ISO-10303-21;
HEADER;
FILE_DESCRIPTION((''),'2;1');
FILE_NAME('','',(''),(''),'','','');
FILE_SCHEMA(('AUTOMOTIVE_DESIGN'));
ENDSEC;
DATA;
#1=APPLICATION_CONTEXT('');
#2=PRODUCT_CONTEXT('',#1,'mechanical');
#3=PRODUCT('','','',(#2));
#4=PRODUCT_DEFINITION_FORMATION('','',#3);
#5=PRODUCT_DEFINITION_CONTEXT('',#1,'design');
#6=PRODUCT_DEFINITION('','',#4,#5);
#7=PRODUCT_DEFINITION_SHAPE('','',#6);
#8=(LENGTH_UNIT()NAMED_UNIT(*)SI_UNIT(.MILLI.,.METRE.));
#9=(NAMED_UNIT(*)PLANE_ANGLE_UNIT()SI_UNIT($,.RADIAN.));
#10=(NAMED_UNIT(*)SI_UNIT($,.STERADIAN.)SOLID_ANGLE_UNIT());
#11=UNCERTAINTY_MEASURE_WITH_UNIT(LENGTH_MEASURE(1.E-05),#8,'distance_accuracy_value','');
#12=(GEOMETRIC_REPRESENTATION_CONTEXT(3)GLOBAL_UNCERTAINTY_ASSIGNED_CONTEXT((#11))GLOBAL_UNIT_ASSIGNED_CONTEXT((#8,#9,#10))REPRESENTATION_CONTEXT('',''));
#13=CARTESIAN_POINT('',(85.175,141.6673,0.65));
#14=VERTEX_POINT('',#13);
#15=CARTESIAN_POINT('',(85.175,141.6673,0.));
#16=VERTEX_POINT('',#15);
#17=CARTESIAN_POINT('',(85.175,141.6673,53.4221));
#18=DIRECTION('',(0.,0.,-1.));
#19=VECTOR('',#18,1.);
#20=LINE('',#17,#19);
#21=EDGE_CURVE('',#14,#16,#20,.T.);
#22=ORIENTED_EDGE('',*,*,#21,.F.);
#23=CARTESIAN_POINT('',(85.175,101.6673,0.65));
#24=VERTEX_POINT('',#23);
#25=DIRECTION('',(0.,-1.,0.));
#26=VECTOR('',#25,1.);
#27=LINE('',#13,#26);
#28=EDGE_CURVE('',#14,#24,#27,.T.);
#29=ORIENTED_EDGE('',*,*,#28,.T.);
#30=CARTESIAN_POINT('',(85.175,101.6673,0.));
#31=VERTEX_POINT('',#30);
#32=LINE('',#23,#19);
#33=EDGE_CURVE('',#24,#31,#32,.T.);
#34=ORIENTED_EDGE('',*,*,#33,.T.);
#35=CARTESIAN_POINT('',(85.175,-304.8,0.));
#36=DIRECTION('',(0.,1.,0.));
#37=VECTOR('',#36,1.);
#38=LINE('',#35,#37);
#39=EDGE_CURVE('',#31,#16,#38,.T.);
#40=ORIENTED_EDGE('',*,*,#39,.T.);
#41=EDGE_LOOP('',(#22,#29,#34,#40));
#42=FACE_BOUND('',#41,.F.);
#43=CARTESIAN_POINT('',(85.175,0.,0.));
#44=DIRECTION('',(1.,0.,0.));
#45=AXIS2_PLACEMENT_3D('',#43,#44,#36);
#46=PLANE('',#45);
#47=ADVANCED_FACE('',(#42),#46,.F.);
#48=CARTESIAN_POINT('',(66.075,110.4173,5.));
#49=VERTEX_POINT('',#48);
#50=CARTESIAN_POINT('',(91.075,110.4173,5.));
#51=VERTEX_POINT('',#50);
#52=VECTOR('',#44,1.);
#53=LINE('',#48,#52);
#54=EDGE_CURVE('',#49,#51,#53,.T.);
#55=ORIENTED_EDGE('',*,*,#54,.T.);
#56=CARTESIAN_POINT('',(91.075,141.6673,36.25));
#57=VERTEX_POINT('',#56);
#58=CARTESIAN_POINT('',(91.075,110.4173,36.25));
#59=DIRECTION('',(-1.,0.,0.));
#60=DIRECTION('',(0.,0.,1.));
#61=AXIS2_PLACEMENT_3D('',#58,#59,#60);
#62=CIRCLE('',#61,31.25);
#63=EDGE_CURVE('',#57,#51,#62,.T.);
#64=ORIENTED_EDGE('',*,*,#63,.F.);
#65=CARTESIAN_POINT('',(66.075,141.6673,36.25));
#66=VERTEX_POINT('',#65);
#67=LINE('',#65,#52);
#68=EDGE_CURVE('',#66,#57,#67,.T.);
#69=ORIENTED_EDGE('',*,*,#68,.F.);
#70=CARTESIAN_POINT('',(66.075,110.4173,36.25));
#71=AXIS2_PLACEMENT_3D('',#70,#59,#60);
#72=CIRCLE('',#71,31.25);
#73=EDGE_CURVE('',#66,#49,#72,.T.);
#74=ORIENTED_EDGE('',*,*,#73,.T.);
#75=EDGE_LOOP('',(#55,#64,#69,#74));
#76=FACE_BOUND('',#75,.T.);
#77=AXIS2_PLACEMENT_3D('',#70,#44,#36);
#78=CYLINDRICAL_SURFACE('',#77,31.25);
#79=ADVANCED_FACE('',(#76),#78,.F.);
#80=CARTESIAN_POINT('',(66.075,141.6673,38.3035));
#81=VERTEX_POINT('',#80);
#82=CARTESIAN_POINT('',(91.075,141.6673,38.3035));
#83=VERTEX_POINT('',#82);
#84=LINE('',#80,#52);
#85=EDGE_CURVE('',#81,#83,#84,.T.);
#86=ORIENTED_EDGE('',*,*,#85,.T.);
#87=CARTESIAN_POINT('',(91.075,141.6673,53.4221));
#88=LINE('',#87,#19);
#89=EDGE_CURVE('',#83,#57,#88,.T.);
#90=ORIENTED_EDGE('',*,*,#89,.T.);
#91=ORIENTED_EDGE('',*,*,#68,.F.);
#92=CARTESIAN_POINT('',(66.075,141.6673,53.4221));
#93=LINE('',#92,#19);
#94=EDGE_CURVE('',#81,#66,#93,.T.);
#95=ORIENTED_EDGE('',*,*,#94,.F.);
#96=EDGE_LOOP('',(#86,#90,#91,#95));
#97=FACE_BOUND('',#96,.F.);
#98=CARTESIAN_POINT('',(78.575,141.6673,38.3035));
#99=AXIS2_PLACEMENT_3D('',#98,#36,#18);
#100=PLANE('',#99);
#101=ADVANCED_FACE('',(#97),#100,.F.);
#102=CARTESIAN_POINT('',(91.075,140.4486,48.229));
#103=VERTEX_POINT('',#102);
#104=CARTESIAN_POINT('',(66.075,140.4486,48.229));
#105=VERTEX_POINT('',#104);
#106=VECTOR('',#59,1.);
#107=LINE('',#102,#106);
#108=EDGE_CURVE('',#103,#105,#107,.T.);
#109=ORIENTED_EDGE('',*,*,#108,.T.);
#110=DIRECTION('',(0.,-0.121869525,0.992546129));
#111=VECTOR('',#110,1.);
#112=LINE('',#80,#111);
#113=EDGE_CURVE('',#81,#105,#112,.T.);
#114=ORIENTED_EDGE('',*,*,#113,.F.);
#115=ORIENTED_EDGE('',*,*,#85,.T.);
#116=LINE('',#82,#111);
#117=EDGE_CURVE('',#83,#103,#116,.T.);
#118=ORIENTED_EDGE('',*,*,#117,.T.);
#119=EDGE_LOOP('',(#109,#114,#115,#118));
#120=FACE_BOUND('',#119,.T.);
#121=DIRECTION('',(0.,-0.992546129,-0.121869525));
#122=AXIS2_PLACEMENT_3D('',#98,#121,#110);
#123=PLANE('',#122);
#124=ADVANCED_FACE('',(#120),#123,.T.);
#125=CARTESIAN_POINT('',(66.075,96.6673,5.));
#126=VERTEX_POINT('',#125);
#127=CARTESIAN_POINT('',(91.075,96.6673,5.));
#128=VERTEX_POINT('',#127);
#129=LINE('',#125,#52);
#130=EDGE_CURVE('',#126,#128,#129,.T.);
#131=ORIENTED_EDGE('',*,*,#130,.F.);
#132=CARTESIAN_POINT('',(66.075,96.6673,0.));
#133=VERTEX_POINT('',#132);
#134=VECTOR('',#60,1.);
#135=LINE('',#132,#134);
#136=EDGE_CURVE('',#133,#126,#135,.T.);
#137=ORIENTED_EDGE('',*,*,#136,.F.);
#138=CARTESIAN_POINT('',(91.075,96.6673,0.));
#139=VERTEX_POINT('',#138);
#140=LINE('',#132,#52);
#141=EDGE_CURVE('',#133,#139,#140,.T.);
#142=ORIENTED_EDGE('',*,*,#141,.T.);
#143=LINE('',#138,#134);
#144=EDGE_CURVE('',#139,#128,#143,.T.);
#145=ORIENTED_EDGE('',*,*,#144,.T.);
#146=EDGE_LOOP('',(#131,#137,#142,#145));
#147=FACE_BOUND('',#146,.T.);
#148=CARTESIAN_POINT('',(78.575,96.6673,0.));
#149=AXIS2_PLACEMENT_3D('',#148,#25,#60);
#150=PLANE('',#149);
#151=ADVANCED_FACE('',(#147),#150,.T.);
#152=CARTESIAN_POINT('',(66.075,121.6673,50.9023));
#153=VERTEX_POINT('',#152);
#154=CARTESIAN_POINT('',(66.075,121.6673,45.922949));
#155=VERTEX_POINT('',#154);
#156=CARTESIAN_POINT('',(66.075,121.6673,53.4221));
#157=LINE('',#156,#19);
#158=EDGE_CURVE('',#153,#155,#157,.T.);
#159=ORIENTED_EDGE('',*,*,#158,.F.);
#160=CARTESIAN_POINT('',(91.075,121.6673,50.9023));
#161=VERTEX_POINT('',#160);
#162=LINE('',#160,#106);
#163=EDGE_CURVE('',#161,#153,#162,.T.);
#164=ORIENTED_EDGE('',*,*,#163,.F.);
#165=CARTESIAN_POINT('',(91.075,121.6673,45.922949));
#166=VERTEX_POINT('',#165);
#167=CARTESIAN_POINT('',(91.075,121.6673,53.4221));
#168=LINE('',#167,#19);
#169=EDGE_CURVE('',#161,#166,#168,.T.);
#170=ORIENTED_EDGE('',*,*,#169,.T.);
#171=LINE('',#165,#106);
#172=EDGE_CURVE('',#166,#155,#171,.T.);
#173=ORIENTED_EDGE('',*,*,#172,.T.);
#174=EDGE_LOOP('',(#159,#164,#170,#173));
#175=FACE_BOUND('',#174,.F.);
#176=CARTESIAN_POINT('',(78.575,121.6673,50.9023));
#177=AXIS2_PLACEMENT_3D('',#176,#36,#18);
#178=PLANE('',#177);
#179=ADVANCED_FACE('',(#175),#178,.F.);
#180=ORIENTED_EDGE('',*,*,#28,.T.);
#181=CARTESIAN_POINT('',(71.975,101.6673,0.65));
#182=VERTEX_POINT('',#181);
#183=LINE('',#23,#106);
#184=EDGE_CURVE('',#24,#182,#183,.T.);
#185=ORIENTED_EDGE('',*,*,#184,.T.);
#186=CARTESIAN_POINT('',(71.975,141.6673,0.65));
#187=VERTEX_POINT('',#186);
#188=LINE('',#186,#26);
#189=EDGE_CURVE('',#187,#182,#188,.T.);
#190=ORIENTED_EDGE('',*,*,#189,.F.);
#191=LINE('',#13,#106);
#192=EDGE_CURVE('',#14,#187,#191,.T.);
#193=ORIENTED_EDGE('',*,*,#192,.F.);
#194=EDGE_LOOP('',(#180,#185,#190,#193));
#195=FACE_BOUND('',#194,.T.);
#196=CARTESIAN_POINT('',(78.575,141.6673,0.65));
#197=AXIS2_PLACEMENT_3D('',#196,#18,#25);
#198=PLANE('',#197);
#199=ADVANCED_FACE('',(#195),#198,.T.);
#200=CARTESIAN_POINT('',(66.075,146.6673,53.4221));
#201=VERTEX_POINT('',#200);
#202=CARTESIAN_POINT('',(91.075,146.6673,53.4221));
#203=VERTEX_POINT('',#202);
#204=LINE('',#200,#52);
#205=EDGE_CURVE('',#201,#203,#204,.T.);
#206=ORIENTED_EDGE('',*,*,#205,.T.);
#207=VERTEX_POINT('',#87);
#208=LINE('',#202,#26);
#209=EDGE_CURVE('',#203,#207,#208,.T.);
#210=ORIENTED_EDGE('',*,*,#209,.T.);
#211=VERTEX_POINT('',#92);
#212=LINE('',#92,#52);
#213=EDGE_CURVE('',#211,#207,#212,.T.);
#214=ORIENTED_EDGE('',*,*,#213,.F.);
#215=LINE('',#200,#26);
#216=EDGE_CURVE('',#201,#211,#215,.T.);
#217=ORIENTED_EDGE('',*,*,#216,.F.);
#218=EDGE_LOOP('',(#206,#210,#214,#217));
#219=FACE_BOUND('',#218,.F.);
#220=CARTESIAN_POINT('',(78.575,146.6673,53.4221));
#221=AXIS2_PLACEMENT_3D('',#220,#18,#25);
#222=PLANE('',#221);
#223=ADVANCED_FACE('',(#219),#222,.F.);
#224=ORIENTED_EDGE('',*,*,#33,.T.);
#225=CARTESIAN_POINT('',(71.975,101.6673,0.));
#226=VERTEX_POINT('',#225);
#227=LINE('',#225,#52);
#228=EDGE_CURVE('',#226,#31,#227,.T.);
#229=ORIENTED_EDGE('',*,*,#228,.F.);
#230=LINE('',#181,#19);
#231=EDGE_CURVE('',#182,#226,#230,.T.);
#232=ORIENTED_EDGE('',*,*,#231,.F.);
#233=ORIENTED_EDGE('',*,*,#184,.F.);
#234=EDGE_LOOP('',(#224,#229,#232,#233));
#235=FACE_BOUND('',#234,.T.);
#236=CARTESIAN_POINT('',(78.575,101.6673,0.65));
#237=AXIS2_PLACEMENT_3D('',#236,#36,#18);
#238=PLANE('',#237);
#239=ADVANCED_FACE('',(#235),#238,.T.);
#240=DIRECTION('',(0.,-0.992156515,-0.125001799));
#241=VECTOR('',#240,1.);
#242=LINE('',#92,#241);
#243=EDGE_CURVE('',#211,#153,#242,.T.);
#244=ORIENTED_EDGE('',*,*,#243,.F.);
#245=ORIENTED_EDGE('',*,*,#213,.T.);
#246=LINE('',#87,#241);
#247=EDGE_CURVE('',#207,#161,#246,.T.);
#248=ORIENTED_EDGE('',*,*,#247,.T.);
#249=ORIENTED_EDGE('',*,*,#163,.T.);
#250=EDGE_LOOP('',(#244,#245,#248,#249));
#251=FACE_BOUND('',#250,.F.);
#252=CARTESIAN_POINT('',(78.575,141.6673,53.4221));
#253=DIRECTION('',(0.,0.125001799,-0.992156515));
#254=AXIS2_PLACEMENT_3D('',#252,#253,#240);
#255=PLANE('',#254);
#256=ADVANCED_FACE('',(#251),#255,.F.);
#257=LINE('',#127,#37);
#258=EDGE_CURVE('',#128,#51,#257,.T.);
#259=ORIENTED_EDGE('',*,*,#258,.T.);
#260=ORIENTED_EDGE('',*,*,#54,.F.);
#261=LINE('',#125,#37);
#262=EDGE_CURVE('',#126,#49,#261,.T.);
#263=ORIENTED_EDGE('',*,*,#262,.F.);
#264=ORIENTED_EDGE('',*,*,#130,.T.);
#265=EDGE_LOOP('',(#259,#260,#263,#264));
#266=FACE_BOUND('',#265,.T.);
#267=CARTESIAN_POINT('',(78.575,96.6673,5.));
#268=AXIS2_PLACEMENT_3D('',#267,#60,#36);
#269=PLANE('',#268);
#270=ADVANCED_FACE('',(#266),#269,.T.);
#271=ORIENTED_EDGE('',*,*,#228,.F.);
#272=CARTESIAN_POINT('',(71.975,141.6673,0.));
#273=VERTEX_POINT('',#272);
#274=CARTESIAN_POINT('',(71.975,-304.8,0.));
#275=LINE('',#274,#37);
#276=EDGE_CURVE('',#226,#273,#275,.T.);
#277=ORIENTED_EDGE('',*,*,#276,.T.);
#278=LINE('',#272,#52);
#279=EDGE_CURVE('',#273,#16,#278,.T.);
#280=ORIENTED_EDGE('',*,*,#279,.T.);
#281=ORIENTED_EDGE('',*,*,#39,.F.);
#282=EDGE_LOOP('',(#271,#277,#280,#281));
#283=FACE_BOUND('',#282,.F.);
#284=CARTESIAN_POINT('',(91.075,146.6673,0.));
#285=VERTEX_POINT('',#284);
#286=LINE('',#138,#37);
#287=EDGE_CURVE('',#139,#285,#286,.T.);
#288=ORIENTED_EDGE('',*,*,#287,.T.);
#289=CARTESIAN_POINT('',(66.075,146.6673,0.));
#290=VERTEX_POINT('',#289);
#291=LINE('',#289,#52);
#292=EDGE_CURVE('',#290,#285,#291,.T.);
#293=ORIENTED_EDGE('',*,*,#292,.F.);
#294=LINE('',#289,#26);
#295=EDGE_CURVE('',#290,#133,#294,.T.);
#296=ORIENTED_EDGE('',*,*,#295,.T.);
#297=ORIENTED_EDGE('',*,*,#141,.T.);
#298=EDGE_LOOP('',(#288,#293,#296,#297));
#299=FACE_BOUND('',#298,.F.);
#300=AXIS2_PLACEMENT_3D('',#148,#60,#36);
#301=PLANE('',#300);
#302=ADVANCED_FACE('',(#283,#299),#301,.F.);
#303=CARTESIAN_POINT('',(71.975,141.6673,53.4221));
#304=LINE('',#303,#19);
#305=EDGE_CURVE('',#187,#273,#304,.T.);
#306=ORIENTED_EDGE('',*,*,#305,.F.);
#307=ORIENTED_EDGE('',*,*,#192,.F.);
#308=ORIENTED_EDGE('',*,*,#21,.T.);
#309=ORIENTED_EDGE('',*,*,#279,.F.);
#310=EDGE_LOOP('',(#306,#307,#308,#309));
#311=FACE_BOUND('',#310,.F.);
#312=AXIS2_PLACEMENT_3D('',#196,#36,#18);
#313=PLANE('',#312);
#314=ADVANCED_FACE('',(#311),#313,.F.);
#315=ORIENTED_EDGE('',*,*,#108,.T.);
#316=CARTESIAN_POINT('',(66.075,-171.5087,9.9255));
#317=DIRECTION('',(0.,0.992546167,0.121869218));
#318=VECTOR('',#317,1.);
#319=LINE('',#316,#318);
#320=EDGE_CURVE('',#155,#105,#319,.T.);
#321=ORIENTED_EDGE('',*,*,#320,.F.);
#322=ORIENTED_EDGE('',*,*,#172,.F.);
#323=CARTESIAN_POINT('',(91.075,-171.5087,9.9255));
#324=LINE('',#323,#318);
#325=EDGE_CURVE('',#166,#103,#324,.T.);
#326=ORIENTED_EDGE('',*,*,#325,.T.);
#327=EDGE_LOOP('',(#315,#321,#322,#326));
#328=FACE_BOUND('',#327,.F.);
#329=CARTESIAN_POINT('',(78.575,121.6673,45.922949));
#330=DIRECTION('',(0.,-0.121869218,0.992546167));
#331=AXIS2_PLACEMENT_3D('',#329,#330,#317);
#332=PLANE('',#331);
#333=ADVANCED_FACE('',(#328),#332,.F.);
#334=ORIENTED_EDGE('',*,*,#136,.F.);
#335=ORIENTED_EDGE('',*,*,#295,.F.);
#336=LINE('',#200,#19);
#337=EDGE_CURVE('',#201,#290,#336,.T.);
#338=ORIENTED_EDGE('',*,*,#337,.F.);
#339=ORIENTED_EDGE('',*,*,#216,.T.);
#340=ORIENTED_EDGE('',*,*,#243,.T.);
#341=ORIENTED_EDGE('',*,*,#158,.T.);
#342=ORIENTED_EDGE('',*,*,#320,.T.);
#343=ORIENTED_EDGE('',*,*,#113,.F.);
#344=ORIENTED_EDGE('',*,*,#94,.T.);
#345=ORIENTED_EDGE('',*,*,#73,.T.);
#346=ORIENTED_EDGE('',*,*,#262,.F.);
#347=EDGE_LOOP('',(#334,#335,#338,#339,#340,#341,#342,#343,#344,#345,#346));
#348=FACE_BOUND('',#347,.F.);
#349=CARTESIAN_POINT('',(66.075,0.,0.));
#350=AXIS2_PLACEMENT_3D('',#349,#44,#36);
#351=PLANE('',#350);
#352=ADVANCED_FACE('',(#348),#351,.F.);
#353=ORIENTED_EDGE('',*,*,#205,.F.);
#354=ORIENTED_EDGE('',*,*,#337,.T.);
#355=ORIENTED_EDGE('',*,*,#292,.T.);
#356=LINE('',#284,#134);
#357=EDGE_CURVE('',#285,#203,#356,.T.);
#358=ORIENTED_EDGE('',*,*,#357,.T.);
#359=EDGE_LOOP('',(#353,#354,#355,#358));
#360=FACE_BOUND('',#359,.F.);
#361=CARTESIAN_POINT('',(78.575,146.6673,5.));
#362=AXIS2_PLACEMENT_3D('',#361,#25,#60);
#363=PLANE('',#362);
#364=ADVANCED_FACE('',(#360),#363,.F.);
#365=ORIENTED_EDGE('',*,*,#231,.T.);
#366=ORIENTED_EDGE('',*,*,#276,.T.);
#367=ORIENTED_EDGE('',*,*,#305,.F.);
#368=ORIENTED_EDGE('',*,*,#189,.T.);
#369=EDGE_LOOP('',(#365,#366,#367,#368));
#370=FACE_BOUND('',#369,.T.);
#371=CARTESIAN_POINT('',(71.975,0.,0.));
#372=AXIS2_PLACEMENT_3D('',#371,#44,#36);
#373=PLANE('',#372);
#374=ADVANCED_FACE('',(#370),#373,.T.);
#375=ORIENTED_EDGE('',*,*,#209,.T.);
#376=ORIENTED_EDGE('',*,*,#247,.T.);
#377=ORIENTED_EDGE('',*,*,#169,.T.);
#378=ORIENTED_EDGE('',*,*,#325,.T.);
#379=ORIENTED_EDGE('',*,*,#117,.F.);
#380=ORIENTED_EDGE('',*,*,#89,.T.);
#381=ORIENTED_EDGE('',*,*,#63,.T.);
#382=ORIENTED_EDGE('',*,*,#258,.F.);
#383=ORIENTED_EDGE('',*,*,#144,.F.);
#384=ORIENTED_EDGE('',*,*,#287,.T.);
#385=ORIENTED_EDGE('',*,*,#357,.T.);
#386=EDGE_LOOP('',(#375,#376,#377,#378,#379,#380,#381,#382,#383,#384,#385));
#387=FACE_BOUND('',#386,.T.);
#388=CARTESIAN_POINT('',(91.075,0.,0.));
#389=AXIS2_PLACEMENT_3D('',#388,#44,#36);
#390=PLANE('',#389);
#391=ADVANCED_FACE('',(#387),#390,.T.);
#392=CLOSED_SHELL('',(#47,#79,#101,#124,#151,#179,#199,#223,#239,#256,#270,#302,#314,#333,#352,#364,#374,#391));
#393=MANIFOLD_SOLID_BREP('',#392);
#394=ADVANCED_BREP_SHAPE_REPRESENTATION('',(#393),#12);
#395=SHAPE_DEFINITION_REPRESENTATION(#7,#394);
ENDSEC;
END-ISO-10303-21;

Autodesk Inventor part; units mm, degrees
ref_plane "XZ Plane" through (0, 0, 0) normal (0, 1, 0) x (-1, 0, 0)
ref_plane "XY Plane" through (0, 0, 0) normal (0, 0, 1) x (1, 0, 0)
ref_plane "Work Plane1" through (78.575, 0, 0) normal (1, 0, 0) x (0, 1, 0)
sketch "Sketch2" plane through (78.575, 0, 0) normal (1, 0, 0) x (0, 1, 0)
  line L0 (-170.29, 0) -> (141.6673, 38.3035) projected
  line L1 (141.6673, 38.3035) -> (140.4486, 48.229) projected
  line L2 (-171.5087, 9.9255) -> (140.4486, 48.229) projected
  line L3 (-170.29, 0) -> (-171.5087, 9.9255) projected
  line L4 (-304.8, 0) -> (304.8, 0) projected
  line L5 (-304.8, 0) -> (-304.8, -25.4) projected
  line L6 (304.8, -25.4) -> (-304.8, -25.4) projected
  line L7 (304.8, 0) -> (304.8, -25.4) projected
  line L8 (141.6673, 0) -> (146.6673, 0)
  line L9 (146.6673, 0) -> (146.6673, 53.4221)
  line L10 (146.6673, 53.4221) -> (141.6673, 53.4221)
  line L11 (141.6673, 53.4221) -> (141.6673, 0)
  line L12 (141.6673, 53.4221) -> (121.6673, 53.4221)
  line L13 (121.6673, 53.4221) -> (121.6673, 38.3035)
  line L14 (121.6673, 38.3035) -> (141.6673, 38.3035)
  line L15 (141.6673, 38.3035) -> (141.6673, 53.4221)
  line L16 (141.6673, 38.3035) -> (140.4486, 48.229)
  line L17 (121.6673, 45.8628) -> (140.4486, 48.229)
  line L18 (146.6673, 0) -> (96.6673, 0)
  line L19 (96.6673, 0) -> (96.6673, 5)
  line L20 (96.6673, 5) -> (146.6673, 5)
  line L21 (146.6673, 5) -> (146.6673, 0)
  line L22 (141.6673, 53.4221) -> (121.6673, 50.9023)
  line L23 (101.6673, 0) -> (141.6673, 0)
  line L24 (141.6673, 0) -> (141.6673, 0.65)
  line L25 (141.6673, 0.65) -> (101.6673, 0.65)
  line L26 (101.6673, 0.65) -> (101.6673, 0)
  point P0 (0, 0)
  point P1 (141.6673, 5)
  point P2 (121.6673, 45.9229)
  point P3 (141.6673, 0.65)
  dimension "d2" = 5
  dimension "d3" = 20
  dimension "d4" = 50
  dimension "d5" = 5
  dimension "d6" = 5
  dimension "d7" = 40
  dimension "d8" = 5
  dimension "d9" = 0.65
extrude "Extrusion1" add sketch "Sketch2" along normal mid plane 25 contours L1 L2 L13 L22 L11 | L11 L10 L9 L20 | L19 L20 L11 L25 L26 L4 | L20 L9 L4 L11 | L26 L25 L11 L4
extrude "Extrusion2" cut sketch "Sketch2" along normal mid plane 13.2 contours L26 L25 L11 L4
fillet "Fillet1" radius 31.25 1 edges at (78.575, 141.6673, 5)
properties part number "coverHolder"
